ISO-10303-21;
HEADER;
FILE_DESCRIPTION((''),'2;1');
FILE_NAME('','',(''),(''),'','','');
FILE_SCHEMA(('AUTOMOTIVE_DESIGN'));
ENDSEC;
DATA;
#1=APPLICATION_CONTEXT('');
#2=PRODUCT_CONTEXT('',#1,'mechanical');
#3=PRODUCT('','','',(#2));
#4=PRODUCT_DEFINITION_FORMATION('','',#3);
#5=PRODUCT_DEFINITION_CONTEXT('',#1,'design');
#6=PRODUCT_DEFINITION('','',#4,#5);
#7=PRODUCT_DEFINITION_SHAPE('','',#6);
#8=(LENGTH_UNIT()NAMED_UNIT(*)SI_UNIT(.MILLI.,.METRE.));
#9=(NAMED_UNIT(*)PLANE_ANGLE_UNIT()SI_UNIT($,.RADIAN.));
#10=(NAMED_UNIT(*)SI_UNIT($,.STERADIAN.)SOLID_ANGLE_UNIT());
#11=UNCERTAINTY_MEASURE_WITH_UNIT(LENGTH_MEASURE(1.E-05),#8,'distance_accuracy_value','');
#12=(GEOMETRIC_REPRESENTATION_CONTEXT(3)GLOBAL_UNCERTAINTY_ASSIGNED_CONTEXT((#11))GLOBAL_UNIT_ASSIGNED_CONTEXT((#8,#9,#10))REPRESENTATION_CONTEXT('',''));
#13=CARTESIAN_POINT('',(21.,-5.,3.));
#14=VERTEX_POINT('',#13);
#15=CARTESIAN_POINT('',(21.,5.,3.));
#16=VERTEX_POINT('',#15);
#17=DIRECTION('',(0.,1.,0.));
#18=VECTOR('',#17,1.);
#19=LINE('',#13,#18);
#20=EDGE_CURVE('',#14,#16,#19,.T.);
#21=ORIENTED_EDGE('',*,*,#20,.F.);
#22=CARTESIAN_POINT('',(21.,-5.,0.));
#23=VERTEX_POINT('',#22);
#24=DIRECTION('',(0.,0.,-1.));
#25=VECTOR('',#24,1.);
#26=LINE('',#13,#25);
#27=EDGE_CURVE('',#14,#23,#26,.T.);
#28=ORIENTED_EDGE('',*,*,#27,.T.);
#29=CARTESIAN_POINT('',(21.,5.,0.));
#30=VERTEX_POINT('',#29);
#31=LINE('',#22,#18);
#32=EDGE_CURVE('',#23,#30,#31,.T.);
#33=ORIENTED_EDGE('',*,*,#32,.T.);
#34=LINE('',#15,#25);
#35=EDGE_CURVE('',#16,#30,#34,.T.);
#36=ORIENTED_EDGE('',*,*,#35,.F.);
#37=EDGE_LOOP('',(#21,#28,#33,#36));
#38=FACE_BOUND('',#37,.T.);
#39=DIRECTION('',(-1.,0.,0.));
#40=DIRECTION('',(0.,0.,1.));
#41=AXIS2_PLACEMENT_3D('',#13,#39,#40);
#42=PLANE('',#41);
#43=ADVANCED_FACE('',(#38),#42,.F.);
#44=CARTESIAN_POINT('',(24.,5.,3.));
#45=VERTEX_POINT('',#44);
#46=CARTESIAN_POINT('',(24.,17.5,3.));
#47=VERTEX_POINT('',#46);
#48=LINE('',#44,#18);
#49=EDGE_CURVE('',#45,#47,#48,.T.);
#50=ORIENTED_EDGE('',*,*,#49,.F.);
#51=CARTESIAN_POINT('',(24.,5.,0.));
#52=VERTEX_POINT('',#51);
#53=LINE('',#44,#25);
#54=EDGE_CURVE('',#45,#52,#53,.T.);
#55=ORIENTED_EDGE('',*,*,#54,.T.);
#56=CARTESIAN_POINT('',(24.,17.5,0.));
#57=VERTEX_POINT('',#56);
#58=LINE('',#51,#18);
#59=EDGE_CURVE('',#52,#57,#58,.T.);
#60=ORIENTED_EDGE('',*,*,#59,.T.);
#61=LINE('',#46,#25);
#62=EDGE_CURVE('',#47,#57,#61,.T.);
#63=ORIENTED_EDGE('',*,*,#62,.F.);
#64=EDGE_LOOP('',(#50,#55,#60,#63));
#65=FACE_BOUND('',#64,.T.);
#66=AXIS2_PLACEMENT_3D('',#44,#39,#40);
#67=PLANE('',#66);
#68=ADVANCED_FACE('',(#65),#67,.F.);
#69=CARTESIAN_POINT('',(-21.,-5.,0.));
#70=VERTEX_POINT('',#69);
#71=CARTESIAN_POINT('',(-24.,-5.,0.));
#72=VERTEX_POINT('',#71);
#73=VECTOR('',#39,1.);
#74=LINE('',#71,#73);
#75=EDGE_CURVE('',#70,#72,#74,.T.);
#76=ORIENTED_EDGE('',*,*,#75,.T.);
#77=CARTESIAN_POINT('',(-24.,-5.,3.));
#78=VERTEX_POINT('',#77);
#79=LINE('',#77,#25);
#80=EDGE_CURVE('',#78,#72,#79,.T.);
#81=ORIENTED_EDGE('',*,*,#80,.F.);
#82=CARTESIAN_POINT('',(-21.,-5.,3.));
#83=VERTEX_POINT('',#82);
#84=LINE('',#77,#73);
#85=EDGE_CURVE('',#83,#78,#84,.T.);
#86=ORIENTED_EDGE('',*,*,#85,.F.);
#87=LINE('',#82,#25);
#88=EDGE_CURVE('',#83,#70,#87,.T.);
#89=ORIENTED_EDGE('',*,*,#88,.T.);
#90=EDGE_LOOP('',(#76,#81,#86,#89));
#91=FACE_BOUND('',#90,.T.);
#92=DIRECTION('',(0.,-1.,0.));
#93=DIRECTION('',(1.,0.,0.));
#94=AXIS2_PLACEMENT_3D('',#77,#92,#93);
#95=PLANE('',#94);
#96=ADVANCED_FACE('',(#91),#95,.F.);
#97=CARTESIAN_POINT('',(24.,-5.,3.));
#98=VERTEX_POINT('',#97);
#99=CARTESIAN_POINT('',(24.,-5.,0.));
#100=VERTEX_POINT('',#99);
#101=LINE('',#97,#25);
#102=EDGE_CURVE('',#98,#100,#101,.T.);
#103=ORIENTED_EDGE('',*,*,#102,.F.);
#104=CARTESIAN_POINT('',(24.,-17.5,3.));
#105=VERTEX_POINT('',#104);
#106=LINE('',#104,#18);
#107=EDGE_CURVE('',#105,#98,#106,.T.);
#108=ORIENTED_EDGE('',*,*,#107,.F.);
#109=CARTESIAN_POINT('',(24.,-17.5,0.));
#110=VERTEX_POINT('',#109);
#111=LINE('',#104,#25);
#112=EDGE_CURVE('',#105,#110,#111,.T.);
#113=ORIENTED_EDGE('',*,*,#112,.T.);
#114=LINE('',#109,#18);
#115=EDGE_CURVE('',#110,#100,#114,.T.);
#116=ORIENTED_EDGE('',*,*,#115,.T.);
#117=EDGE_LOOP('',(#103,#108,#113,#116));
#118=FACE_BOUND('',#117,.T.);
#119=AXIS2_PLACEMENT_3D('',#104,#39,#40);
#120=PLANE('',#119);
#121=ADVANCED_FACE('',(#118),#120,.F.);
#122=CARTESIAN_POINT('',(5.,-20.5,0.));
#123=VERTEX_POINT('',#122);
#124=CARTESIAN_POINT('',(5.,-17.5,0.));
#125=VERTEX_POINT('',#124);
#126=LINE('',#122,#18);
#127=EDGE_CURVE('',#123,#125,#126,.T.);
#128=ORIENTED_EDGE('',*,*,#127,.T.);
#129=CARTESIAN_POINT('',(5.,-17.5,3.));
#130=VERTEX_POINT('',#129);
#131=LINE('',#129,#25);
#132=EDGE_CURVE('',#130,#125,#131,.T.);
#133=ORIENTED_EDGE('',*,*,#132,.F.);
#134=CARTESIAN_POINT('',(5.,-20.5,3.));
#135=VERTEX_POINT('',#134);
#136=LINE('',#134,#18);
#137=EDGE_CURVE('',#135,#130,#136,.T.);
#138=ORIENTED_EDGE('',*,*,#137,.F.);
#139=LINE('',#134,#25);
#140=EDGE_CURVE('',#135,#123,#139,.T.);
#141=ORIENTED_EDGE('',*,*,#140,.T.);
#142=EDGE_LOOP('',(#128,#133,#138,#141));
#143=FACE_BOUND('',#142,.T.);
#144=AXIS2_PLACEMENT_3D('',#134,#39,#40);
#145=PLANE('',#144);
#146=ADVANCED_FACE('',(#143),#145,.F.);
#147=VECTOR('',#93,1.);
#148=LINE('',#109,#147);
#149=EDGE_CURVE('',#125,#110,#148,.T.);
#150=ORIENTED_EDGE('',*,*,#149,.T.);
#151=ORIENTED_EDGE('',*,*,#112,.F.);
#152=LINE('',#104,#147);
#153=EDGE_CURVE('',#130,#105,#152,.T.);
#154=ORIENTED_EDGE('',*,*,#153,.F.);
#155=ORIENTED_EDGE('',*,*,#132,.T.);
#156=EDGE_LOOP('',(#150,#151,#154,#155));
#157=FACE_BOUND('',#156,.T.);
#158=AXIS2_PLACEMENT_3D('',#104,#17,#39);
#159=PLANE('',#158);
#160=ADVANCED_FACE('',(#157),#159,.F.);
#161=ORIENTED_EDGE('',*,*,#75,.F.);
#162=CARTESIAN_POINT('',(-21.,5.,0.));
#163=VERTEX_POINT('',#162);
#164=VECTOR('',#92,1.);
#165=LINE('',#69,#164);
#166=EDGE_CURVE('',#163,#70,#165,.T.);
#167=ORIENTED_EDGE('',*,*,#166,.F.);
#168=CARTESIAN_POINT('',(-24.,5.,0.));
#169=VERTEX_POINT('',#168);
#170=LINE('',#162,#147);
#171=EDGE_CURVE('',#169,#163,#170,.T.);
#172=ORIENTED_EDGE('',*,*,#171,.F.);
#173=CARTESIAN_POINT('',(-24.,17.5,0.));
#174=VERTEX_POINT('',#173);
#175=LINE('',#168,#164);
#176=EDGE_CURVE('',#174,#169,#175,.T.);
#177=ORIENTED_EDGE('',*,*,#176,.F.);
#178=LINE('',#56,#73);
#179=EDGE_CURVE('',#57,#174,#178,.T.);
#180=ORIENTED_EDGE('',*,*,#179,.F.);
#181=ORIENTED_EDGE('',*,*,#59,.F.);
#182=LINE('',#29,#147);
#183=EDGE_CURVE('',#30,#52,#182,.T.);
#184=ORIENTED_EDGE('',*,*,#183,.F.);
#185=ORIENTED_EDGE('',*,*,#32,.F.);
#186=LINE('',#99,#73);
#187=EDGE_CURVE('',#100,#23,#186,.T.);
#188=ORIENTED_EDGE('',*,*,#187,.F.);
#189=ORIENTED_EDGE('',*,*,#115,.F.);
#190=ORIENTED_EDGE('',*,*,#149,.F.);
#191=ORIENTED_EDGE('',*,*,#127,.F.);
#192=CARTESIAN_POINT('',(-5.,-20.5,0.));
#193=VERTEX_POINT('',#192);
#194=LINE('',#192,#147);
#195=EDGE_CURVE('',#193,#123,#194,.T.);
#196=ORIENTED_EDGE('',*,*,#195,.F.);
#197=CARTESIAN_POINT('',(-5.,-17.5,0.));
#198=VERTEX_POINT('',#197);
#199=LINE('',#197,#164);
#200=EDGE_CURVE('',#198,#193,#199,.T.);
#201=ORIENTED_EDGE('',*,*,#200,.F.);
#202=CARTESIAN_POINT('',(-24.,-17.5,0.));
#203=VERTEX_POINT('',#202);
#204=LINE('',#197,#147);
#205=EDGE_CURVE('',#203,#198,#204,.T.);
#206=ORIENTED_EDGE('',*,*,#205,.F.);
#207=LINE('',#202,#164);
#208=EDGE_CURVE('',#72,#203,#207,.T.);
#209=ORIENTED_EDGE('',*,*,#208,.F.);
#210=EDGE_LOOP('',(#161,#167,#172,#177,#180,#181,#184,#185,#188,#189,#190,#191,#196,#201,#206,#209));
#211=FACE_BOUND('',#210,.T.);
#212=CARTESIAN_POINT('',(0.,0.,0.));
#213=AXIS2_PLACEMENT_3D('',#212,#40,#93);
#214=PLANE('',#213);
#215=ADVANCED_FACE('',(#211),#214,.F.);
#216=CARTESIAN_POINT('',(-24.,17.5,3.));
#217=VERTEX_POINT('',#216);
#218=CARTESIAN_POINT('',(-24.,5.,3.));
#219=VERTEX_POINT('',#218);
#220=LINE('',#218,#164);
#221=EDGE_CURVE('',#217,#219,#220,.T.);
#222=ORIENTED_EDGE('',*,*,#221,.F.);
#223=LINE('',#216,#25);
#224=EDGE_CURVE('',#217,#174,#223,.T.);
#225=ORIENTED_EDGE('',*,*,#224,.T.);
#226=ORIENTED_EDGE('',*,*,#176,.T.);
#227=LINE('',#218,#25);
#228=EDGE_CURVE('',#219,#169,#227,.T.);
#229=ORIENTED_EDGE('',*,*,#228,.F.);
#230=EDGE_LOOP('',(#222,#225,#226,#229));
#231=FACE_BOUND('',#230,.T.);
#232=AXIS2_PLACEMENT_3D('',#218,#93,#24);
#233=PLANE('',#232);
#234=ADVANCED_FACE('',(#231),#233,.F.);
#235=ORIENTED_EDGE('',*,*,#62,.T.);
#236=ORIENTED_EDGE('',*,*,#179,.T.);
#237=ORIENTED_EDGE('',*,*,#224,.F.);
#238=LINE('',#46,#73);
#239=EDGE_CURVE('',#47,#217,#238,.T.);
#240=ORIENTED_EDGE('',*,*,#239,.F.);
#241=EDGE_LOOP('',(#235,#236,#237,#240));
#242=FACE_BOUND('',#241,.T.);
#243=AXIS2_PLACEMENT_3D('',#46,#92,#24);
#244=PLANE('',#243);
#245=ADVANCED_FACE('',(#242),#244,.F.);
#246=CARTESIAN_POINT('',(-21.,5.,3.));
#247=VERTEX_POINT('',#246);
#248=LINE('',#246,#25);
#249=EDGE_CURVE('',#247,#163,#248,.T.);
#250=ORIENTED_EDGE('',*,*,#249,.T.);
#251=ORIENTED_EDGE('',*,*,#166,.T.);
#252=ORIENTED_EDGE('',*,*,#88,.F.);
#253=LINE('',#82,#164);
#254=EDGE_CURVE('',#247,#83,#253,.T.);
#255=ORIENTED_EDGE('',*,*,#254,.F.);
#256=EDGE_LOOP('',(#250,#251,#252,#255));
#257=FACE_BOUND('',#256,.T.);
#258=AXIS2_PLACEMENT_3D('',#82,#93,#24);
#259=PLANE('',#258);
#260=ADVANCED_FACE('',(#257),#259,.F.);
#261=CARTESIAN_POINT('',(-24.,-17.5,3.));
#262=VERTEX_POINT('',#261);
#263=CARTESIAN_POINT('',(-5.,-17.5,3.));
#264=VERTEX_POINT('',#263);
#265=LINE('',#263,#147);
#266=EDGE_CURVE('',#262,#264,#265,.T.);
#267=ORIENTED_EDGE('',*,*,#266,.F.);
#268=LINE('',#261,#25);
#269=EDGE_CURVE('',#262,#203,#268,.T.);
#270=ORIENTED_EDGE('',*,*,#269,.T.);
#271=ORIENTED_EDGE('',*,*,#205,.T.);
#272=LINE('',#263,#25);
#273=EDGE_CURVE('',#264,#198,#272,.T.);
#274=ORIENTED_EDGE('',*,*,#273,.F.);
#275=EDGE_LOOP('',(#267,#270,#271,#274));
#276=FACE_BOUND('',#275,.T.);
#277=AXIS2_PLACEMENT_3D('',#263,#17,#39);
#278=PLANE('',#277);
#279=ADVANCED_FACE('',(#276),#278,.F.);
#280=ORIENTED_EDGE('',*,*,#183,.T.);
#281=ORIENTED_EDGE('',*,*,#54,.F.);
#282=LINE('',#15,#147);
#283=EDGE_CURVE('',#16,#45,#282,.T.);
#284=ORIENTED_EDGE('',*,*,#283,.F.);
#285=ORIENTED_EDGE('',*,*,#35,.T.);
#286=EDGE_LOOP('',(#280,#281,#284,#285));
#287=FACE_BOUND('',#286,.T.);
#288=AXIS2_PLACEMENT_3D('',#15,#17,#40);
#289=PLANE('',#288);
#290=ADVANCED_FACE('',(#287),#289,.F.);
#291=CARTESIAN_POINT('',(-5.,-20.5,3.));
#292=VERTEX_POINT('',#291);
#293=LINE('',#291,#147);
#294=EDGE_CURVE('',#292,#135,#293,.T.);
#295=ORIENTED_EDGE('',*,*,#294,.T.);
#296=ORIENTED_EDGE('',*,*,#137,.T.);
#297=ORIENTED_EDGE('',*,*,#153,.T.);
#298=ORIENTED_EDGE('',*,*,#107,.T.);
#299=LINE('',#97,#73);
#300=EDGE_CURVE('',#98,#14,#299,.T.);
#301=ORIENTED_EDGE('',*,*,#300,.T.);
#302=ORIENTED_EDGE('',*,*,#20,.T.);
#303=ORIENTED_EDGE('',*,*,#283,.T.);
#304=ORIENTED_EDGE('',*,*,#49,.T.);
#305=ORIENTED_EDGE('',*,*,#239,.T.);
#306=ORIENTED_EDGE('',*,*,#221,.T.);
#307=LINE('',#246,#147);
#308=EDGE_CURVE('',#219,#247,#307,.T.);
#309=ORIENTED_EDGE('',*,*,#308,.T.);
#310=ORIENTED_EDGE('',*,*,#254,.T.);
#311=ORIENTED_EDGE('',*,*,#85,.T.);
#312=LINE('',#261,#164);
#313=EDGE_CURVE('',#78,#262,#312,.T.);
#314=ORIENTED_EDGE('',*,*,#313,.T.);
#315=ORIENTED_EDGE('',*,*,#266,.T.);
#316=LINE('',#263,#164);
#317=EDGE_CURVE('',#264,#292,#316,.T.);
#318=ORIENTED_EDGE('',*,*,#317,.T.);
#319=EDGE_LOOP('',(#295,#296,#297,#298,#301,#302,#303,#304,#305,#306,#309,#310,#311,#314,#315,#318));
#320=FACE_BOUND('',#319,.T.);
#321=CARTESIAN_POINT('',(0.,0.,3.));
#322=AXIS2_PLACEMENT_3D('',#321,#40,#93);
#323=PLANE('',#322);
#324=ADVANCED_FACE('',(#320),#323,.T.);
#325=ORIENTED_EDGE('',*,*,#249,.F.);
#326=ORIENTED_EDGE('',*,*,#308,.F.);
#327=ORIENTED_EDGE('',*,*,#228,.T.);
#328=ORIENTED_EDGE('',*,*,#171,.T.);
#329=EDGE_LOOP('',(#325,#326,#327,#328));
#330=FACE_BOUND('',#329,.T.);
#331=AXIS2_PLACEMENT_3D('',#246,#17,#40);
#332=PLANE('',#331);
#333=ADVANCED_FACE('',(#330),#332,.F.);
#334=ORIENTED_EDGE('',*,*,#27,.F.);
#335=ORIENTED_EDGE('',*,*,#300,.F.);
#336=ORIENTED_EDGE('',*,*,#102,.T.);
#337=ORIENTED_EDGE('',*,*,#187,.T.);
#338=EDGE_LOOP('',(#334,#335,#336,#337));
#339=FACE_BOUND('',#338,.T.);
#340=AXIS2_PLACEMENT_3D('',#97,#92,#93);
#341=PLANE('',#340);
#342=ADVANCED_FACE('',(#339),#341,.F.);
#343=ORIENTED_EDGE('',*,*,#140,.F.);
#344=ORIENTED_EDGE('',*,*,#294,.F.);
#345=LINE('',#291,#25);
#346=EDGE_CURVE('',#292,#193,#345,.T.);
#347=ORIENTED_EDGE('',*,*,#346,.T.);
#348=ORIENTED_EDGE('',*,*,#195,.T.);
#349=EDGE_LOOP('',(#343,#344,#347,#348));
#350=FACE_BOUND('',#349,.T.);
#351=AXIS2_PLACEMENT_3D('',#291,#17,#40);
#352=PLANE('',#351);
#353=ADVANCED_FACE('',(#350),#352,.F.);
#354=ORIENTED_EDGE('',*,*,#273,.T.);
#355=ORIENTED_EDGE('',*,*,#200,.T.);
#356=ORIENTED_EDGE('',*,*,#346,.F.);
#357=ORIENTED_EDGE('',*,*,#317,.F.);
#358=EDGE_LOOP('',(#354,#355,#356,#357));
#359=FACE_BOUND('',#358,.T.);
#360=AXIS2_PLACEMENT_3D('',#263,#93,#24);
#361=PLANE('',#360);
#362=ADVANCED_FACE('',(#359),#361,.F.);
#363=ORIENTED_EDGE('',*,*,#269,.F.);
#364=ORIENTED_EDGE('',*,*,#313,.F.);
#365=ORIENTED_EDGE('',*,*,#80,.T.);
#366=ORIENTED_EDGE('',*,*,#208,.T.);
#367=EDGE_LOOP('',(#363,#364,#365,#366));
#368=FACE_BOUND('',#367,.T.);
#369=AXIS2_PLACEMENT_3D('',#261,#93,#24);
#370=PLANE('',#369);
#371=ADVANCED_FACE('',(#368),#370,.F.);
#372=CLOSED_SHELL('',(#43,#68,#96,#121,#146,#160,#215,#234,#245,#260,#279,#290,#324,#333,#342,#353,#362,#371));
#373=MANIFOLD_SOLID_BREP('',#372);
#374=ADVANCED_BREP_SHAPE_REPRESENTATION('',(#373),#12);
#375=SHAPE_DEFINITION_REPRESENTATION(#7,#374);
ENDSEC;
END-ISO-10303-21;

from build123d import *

# Parameters (mm, degrees)
BOSS_EXTRUDE1_DEPTH = 3


with BuildPart() as part:
    # Sketch1 → Boss-Extrude1 (new body)
    with BuildSketch(Plane.XY):
        Polygon((-5, -17.5), (-5, -20.5), (5, -20.5), (5, -17.5), (24, -17.5), (24, -5), (21, -5), (21, 5), (24, 5), (24, 17.5), (-24, 17.5), (-24, 5), (-21, 5), (-21, -5), (-24, -5), (-24, -17.5), align=None)
    extrude(amount=BOSS_EXTRUDE1_DEPTH)


solid = part.part
